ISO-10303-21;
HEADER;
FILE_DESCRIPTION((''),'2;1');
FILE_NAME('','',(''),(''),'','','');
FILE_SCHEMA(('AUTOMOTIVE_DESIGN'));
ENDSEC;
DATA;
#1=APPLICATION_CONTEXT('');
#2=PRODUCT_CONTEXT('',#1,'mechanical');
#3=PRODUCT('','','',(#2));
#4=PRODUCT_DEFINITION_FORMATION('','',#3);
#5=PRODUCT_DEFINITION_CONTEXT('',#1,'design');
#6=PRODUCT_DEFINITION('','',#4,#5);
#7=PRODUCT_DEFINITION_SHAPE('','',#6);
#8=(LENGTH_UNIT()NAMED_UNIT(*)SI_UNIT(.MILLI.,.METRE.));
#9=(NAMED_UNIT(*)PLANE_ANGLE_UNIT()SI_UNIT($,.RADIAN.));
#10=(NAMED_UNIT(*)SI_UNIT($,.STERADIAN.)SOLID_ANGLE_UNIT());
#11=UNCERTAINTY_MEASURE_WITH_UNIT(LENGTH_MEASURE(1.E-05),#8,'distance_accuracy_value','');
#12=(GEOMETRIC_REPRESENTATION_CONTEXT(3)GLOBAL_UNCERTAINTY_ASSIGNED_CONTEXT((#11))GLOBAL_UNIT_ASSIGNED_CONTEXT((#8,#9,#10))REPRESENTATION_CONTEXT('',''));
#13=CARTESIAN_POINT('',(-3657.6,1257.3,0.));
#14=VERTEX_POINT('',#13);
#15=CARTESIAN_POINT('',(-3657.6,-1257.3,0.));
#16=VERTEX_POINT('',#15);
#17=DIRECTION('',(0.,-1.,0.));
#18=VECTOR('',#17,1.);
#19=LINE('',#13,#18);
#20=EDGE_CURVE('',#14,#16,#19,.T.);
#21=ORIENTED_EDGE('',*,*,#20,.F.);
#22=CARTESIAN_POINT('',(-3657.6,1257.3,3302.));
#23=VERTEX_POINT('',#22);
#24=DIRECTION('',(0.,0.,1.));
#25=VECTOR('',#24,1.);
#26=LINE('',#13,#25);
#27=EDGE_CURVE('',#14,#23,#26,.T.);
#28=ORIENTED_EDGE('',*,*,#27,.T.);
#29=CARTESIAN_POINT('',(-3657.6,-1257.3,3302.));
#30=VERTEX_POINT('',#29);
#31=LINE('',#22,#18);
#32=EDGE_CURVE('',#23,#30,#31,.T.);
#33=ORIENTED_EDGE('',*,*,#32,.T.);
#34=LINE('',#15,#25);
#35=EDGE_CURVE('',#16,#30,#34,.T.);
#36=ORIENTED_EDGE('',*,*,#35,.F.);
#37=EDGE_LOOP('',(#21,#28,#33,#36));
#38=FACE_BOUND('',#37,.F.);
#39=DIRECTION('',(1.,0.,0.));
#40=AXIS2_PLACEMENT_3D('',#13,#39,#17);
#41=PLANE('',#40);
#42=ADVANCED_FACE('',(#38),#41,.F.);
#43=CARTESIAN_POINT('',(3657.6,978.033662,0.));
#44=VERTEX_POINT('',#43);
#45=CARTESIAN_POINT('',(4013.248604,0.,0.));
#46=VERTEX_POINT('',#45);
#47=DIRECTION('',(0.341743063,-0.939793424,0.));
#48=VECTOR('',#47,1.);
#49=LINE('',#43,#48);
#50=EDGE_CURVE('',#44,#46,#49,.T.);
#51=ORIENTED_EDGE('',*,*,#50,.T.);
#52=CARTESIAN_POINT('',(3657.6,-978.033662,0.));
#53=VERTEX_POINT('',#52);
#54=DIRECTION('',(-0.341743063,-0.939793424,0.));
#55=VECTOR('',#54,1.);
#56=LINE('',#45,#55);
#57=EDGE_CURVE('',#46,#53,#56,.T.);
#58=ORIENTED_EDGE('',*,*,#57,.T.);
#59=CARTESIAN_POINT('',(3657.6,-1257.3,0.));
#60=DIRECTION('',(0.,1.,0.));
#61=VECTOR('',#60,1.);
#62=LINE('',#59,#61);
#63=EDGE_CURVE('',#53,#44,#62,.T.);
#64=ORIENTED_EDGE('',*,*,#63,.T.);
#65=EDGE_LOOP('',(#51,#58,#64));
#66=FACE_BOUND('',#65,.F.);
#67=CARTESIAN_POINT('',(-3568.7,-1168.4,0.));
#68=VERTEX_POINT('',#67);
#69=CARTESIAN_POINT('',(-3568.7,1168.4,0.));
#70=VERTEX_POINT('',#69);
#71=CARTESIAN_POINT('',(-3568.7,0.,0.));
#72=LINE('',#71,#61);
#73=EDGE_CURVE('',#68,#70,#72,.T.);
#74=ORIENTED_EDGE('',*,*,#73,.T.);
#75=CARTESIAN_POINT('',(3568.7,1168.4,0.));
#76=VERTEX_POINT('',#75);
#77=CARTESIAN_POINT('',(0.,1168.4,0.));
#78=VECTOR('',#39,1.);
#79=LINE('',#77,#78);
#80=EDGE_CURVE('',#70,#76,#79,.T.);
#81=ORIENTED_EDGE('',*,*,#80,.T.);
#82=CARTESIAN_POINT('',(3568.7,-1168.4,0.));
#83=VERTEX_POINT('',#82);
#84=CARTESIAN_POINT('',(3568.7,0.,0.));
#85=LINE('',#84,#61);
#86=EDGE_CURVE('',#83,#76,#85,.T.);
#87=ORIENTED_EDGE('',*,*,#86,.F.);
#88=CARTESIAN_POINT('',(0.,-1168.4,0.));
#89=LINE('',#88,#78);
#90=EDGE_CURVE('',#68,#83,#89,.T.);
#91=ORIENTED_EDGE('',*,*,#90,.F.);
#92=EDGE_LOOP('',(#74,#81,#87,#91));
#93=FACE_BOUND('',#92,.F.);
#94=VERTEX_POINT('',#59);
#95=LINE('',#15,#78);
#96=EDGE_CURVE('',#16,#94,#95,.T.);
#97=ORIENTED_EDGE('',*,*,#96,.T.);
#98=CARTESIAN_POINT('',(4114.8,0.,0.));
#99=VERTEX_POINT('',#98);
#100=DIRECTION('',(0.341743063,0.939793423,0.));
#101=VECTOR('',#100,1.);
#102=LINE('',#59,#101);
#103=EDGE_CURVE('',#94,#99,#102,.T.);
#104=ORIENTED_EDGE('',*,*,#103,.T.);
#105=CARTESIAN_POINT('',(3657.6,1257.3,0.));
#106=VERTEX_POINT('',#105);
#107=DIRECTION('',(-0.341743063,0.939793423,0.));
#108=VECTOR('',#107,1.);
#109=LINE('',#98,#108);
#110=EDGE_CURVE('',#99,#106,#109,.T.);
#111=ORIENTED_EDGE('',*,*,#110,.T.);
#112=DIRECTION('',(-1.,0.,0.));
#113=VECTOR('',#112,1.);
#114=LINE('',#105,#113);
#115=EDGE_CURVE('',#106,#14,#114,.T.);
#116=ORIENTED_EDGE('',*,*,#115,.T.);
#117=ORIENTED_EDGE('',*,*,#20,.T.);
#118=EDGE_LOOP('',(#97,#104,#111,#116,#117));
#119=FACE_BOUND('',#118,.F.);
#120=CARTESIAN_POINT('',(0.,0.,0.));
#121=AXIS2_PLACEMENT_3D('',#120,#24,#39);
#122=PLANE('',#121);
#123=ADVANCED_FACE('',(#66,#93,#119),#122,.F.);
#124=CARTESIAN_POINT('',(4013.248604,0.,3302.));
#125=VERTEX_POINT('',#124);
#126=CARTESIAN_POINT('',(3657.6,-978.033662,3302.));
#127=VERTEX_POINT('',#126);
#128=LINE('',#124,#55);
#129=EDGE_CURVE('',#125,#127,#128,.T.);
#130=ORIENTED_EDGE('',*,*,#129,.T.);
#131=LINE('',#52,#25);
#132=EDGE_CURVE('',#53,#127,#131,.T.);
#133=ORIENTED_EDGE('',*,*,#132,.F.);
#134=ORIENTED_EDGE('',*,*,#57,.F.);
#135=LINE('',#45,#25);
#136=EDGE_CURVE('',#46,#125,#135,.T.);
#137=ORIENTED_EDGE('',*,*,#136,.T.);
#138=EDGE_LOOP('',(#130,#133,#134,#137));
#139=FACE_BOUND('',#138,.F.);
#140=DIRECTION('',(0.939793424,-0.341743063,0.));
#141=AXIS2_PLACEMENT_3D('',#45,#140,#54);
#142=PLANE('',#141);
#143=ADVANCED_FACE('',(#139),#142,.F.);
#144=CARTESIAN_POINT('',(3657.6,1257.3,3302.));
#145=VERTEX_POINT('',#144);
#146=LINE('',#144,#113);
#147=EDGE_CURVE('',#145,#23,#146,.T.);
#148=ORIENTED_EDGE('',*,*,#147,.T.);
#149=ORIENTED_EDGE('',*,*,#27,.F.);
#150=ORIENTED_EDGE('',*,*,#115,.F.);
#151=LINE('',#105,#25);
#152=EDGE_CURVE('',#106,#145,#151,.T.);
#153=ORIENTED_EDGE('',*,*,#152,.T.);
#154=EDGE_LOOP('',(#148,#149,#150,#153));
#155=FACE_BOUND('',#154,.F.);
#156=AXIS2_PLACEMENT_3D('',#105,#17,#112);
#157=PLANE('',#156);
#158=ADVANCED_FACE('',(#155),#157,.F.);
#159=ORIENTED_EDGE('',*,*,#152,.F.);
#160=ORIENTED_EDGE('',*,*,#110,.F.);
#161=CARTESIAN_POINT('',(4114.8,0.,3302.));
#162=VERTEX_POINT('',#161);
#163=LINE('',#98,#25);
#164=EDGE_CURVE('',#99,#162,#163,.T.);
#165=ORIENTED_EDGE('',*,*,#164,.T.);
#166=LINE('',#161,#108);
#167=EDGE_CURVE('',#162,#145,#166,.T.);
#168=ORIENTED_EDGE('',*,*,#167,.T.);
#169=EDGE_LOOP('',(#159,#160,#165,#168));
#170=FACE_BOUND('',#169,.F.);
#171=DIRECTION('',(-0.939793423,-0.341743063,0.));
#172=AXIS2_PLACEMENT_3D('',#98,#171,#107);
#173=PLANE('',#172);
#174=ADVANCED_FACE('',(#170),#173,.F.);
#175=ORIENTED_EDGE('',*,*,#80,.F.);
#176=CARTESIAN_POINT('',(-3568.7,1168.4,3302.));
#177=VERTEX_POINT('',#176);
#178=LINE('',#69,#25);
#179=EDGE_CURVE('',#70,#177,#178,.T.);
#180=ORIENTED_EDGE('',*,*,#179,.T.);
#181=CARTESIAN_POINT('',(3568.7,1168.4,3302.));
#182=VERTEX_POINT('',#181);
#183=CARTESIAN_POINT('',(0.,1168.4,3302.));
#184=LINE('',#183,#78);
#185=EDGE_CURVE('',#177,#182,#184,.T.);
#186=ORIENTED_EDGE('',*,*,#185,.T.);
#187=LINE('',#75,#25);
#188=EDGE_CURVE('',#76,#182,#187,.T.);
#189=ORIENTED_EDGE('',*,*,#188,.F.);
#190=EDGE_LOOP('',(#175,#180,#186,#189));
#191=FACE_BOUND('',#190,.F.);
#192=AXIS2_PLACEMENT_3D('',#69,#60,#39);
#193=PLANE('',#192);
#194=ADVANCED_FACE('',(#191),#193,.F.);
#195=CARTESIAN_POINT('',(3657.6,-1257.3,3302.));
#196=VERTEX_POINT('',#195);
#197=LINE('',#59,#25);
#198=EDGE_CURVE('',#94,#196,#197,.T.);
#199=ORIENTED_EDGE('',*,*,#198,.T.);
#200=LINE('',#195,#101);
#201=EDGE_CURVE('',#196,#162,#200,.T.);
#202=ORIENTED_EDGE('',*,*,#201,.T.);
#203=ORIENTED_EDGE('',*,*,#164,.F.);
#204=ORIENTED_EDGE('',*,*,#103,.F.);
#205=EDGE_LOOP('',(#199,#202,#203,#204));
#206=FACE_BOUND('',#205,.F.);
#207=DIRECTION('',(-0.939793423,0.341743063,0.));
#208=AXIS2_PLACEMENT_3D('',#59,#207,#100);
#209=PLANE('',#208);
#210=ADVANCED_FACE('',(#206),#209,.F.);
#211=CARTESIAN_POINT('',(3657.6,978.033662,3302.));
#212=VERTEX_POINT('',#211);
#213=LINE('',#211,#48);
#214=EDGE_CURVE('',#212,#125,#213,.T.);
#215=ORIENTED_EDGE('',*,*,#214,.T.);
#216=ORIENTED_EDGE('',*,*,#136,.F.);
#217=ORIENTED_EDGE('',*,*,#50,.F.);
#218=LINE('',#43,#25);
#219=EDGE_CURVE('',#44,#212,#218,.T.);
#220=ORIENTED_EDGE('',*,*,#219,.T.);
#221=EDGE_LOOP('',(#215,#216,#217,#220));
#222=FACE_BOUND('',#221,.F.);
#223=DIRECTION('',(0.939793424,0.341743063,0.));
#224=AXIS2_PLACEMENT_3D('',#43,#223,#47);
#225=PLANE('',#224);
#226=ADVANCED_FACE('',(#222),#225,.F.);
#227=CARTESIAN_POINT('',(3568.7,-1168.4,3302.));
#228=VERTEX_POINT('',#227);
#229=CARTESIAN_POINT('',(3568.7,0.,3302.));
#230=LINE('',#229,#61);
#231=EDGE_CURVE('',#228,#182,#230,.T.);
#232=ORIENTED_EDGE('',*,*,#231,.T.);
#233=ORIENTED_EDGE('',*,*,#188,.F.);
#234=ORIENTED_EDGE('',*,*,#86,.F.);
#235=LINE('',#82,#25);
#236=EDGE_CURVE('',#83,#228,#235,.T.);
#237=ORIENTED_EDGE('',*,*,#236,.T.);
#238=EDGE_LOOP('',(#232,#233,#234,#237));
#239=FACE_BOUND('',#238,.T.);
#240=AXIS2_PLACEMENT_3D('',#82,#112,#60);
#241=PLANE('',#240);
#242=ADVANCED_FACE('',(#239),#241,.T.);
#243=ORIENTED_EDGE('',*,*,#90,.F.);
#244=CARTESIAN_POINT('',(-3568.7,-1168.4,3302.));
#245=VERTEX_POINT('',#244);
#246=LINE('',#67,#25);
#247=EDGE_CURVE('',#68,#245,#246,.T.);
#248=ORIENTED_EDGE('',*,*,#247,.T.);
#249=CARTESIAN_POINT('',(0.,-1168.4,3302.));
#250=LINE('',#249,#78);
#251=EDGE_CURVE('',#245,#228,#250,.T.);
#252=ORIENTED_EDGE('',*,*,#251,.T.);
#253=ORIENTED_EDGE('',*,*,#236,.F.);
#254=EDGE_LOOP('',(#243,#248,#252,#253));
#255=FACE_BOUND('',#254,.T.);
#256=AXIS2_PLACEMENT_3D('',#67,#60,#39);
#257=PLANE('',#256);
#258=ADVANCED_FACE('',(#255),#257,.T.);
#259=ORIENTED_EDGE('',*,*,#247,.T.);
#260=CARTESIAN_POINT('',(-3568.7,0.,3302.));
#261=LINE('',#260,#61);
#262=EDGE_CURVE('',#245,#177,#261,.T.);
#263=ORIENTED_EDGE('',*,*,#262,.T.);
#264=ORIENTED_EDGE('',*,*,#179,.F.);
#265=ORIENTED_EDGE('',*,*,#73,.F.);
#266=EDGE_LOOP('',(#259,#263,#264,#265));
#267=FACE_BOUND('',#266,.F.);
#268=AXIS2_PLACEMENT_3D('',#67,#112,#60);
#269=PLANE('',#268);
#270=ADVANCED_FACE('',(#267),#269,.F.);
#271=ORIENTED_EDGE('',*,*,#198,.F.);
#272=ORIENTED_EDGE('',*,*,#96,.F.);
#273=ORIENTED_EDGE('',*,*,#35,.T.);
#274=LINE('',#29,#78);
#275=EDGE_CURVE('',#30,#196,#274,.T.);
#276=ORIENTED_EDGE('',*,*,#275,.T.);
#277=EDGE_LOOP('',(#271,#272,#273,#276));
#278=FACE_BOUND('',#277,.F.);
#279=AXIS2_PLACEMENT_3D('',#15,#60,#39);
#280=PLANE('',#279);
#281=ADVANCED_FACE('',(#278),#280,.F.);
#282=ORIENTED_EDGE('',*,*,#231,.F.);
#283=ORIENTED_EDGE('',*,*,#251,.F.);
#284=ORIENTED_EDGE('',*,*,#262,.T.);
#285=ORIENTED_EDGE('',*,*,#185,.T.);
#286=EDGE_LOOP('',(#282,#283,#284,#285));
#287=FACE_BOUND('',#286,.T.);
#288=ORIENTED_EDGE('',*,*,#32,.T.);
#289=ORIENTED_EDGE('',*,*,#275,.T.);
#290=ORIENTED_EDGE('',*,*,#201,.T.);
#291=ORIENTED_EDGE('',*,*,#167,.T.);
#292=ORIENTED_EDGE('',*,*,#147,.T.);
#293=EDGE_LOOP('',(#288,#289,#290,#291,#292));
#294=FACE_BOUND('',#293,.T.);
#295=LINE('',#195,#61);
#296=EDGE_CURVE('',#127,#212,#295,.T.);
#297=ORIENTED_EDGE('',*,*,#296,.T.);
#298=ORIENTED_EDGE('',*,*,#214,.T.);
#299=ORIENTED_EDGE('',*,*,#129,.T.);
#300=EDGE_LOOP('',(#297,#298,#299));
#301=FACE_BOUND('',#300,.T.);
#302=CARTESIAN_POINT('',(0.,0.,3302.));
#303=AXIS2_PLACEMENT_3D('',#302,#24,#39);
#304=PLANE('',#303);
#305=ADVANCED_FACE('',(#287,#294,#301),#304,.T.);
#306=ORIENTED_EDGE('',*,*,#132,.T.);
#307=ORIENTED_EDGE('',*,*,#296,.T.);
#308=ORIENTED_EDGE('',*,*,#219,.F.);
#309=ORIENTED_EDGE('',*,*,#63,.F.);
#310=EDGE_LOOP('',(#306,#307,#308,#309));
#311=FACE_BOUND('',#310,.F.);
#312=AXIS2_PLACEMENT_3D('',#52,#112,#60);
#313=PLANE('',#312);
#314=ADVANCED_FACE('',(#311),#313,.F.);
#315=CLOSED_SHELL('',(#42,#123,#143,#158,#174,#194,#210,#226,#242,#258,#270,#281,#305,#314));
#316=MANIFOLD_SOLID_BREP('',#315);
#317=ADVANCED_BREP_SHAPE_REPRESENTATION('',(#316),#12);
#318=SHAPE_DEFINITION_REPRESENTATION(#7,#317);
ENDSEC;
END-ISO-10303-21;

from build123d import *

# Parameters (mm, degrees)
F0_W     = 7137.4
F0_H     = 2336.8
F1_DEPTH = 3302


with BuildPart() as f1:
    # F0 (on Top) → F1 (new body)
    with BuildSketch(Plane.XY):
        Polygon((3657.6, 1257.3), (-3657.6, 1257.3), (-3657.6, -1257.3), (3657.6, -1257.3), (3657.6, -978.033662), (3657.6, 978.033662), align=None)
        Rectangle(F0_W, F0_H, mode=Mode.SUBTRACT)
        Polygon((4114.8, 0), (3657.6, 1257.3), (3657.6, 978.033662), (4013.248604, 0), (3657.6, -978.033662), (3657.6, -1257.3), align=None)
    extrude(amount=F1_DEPTH)


solid = f1.part
